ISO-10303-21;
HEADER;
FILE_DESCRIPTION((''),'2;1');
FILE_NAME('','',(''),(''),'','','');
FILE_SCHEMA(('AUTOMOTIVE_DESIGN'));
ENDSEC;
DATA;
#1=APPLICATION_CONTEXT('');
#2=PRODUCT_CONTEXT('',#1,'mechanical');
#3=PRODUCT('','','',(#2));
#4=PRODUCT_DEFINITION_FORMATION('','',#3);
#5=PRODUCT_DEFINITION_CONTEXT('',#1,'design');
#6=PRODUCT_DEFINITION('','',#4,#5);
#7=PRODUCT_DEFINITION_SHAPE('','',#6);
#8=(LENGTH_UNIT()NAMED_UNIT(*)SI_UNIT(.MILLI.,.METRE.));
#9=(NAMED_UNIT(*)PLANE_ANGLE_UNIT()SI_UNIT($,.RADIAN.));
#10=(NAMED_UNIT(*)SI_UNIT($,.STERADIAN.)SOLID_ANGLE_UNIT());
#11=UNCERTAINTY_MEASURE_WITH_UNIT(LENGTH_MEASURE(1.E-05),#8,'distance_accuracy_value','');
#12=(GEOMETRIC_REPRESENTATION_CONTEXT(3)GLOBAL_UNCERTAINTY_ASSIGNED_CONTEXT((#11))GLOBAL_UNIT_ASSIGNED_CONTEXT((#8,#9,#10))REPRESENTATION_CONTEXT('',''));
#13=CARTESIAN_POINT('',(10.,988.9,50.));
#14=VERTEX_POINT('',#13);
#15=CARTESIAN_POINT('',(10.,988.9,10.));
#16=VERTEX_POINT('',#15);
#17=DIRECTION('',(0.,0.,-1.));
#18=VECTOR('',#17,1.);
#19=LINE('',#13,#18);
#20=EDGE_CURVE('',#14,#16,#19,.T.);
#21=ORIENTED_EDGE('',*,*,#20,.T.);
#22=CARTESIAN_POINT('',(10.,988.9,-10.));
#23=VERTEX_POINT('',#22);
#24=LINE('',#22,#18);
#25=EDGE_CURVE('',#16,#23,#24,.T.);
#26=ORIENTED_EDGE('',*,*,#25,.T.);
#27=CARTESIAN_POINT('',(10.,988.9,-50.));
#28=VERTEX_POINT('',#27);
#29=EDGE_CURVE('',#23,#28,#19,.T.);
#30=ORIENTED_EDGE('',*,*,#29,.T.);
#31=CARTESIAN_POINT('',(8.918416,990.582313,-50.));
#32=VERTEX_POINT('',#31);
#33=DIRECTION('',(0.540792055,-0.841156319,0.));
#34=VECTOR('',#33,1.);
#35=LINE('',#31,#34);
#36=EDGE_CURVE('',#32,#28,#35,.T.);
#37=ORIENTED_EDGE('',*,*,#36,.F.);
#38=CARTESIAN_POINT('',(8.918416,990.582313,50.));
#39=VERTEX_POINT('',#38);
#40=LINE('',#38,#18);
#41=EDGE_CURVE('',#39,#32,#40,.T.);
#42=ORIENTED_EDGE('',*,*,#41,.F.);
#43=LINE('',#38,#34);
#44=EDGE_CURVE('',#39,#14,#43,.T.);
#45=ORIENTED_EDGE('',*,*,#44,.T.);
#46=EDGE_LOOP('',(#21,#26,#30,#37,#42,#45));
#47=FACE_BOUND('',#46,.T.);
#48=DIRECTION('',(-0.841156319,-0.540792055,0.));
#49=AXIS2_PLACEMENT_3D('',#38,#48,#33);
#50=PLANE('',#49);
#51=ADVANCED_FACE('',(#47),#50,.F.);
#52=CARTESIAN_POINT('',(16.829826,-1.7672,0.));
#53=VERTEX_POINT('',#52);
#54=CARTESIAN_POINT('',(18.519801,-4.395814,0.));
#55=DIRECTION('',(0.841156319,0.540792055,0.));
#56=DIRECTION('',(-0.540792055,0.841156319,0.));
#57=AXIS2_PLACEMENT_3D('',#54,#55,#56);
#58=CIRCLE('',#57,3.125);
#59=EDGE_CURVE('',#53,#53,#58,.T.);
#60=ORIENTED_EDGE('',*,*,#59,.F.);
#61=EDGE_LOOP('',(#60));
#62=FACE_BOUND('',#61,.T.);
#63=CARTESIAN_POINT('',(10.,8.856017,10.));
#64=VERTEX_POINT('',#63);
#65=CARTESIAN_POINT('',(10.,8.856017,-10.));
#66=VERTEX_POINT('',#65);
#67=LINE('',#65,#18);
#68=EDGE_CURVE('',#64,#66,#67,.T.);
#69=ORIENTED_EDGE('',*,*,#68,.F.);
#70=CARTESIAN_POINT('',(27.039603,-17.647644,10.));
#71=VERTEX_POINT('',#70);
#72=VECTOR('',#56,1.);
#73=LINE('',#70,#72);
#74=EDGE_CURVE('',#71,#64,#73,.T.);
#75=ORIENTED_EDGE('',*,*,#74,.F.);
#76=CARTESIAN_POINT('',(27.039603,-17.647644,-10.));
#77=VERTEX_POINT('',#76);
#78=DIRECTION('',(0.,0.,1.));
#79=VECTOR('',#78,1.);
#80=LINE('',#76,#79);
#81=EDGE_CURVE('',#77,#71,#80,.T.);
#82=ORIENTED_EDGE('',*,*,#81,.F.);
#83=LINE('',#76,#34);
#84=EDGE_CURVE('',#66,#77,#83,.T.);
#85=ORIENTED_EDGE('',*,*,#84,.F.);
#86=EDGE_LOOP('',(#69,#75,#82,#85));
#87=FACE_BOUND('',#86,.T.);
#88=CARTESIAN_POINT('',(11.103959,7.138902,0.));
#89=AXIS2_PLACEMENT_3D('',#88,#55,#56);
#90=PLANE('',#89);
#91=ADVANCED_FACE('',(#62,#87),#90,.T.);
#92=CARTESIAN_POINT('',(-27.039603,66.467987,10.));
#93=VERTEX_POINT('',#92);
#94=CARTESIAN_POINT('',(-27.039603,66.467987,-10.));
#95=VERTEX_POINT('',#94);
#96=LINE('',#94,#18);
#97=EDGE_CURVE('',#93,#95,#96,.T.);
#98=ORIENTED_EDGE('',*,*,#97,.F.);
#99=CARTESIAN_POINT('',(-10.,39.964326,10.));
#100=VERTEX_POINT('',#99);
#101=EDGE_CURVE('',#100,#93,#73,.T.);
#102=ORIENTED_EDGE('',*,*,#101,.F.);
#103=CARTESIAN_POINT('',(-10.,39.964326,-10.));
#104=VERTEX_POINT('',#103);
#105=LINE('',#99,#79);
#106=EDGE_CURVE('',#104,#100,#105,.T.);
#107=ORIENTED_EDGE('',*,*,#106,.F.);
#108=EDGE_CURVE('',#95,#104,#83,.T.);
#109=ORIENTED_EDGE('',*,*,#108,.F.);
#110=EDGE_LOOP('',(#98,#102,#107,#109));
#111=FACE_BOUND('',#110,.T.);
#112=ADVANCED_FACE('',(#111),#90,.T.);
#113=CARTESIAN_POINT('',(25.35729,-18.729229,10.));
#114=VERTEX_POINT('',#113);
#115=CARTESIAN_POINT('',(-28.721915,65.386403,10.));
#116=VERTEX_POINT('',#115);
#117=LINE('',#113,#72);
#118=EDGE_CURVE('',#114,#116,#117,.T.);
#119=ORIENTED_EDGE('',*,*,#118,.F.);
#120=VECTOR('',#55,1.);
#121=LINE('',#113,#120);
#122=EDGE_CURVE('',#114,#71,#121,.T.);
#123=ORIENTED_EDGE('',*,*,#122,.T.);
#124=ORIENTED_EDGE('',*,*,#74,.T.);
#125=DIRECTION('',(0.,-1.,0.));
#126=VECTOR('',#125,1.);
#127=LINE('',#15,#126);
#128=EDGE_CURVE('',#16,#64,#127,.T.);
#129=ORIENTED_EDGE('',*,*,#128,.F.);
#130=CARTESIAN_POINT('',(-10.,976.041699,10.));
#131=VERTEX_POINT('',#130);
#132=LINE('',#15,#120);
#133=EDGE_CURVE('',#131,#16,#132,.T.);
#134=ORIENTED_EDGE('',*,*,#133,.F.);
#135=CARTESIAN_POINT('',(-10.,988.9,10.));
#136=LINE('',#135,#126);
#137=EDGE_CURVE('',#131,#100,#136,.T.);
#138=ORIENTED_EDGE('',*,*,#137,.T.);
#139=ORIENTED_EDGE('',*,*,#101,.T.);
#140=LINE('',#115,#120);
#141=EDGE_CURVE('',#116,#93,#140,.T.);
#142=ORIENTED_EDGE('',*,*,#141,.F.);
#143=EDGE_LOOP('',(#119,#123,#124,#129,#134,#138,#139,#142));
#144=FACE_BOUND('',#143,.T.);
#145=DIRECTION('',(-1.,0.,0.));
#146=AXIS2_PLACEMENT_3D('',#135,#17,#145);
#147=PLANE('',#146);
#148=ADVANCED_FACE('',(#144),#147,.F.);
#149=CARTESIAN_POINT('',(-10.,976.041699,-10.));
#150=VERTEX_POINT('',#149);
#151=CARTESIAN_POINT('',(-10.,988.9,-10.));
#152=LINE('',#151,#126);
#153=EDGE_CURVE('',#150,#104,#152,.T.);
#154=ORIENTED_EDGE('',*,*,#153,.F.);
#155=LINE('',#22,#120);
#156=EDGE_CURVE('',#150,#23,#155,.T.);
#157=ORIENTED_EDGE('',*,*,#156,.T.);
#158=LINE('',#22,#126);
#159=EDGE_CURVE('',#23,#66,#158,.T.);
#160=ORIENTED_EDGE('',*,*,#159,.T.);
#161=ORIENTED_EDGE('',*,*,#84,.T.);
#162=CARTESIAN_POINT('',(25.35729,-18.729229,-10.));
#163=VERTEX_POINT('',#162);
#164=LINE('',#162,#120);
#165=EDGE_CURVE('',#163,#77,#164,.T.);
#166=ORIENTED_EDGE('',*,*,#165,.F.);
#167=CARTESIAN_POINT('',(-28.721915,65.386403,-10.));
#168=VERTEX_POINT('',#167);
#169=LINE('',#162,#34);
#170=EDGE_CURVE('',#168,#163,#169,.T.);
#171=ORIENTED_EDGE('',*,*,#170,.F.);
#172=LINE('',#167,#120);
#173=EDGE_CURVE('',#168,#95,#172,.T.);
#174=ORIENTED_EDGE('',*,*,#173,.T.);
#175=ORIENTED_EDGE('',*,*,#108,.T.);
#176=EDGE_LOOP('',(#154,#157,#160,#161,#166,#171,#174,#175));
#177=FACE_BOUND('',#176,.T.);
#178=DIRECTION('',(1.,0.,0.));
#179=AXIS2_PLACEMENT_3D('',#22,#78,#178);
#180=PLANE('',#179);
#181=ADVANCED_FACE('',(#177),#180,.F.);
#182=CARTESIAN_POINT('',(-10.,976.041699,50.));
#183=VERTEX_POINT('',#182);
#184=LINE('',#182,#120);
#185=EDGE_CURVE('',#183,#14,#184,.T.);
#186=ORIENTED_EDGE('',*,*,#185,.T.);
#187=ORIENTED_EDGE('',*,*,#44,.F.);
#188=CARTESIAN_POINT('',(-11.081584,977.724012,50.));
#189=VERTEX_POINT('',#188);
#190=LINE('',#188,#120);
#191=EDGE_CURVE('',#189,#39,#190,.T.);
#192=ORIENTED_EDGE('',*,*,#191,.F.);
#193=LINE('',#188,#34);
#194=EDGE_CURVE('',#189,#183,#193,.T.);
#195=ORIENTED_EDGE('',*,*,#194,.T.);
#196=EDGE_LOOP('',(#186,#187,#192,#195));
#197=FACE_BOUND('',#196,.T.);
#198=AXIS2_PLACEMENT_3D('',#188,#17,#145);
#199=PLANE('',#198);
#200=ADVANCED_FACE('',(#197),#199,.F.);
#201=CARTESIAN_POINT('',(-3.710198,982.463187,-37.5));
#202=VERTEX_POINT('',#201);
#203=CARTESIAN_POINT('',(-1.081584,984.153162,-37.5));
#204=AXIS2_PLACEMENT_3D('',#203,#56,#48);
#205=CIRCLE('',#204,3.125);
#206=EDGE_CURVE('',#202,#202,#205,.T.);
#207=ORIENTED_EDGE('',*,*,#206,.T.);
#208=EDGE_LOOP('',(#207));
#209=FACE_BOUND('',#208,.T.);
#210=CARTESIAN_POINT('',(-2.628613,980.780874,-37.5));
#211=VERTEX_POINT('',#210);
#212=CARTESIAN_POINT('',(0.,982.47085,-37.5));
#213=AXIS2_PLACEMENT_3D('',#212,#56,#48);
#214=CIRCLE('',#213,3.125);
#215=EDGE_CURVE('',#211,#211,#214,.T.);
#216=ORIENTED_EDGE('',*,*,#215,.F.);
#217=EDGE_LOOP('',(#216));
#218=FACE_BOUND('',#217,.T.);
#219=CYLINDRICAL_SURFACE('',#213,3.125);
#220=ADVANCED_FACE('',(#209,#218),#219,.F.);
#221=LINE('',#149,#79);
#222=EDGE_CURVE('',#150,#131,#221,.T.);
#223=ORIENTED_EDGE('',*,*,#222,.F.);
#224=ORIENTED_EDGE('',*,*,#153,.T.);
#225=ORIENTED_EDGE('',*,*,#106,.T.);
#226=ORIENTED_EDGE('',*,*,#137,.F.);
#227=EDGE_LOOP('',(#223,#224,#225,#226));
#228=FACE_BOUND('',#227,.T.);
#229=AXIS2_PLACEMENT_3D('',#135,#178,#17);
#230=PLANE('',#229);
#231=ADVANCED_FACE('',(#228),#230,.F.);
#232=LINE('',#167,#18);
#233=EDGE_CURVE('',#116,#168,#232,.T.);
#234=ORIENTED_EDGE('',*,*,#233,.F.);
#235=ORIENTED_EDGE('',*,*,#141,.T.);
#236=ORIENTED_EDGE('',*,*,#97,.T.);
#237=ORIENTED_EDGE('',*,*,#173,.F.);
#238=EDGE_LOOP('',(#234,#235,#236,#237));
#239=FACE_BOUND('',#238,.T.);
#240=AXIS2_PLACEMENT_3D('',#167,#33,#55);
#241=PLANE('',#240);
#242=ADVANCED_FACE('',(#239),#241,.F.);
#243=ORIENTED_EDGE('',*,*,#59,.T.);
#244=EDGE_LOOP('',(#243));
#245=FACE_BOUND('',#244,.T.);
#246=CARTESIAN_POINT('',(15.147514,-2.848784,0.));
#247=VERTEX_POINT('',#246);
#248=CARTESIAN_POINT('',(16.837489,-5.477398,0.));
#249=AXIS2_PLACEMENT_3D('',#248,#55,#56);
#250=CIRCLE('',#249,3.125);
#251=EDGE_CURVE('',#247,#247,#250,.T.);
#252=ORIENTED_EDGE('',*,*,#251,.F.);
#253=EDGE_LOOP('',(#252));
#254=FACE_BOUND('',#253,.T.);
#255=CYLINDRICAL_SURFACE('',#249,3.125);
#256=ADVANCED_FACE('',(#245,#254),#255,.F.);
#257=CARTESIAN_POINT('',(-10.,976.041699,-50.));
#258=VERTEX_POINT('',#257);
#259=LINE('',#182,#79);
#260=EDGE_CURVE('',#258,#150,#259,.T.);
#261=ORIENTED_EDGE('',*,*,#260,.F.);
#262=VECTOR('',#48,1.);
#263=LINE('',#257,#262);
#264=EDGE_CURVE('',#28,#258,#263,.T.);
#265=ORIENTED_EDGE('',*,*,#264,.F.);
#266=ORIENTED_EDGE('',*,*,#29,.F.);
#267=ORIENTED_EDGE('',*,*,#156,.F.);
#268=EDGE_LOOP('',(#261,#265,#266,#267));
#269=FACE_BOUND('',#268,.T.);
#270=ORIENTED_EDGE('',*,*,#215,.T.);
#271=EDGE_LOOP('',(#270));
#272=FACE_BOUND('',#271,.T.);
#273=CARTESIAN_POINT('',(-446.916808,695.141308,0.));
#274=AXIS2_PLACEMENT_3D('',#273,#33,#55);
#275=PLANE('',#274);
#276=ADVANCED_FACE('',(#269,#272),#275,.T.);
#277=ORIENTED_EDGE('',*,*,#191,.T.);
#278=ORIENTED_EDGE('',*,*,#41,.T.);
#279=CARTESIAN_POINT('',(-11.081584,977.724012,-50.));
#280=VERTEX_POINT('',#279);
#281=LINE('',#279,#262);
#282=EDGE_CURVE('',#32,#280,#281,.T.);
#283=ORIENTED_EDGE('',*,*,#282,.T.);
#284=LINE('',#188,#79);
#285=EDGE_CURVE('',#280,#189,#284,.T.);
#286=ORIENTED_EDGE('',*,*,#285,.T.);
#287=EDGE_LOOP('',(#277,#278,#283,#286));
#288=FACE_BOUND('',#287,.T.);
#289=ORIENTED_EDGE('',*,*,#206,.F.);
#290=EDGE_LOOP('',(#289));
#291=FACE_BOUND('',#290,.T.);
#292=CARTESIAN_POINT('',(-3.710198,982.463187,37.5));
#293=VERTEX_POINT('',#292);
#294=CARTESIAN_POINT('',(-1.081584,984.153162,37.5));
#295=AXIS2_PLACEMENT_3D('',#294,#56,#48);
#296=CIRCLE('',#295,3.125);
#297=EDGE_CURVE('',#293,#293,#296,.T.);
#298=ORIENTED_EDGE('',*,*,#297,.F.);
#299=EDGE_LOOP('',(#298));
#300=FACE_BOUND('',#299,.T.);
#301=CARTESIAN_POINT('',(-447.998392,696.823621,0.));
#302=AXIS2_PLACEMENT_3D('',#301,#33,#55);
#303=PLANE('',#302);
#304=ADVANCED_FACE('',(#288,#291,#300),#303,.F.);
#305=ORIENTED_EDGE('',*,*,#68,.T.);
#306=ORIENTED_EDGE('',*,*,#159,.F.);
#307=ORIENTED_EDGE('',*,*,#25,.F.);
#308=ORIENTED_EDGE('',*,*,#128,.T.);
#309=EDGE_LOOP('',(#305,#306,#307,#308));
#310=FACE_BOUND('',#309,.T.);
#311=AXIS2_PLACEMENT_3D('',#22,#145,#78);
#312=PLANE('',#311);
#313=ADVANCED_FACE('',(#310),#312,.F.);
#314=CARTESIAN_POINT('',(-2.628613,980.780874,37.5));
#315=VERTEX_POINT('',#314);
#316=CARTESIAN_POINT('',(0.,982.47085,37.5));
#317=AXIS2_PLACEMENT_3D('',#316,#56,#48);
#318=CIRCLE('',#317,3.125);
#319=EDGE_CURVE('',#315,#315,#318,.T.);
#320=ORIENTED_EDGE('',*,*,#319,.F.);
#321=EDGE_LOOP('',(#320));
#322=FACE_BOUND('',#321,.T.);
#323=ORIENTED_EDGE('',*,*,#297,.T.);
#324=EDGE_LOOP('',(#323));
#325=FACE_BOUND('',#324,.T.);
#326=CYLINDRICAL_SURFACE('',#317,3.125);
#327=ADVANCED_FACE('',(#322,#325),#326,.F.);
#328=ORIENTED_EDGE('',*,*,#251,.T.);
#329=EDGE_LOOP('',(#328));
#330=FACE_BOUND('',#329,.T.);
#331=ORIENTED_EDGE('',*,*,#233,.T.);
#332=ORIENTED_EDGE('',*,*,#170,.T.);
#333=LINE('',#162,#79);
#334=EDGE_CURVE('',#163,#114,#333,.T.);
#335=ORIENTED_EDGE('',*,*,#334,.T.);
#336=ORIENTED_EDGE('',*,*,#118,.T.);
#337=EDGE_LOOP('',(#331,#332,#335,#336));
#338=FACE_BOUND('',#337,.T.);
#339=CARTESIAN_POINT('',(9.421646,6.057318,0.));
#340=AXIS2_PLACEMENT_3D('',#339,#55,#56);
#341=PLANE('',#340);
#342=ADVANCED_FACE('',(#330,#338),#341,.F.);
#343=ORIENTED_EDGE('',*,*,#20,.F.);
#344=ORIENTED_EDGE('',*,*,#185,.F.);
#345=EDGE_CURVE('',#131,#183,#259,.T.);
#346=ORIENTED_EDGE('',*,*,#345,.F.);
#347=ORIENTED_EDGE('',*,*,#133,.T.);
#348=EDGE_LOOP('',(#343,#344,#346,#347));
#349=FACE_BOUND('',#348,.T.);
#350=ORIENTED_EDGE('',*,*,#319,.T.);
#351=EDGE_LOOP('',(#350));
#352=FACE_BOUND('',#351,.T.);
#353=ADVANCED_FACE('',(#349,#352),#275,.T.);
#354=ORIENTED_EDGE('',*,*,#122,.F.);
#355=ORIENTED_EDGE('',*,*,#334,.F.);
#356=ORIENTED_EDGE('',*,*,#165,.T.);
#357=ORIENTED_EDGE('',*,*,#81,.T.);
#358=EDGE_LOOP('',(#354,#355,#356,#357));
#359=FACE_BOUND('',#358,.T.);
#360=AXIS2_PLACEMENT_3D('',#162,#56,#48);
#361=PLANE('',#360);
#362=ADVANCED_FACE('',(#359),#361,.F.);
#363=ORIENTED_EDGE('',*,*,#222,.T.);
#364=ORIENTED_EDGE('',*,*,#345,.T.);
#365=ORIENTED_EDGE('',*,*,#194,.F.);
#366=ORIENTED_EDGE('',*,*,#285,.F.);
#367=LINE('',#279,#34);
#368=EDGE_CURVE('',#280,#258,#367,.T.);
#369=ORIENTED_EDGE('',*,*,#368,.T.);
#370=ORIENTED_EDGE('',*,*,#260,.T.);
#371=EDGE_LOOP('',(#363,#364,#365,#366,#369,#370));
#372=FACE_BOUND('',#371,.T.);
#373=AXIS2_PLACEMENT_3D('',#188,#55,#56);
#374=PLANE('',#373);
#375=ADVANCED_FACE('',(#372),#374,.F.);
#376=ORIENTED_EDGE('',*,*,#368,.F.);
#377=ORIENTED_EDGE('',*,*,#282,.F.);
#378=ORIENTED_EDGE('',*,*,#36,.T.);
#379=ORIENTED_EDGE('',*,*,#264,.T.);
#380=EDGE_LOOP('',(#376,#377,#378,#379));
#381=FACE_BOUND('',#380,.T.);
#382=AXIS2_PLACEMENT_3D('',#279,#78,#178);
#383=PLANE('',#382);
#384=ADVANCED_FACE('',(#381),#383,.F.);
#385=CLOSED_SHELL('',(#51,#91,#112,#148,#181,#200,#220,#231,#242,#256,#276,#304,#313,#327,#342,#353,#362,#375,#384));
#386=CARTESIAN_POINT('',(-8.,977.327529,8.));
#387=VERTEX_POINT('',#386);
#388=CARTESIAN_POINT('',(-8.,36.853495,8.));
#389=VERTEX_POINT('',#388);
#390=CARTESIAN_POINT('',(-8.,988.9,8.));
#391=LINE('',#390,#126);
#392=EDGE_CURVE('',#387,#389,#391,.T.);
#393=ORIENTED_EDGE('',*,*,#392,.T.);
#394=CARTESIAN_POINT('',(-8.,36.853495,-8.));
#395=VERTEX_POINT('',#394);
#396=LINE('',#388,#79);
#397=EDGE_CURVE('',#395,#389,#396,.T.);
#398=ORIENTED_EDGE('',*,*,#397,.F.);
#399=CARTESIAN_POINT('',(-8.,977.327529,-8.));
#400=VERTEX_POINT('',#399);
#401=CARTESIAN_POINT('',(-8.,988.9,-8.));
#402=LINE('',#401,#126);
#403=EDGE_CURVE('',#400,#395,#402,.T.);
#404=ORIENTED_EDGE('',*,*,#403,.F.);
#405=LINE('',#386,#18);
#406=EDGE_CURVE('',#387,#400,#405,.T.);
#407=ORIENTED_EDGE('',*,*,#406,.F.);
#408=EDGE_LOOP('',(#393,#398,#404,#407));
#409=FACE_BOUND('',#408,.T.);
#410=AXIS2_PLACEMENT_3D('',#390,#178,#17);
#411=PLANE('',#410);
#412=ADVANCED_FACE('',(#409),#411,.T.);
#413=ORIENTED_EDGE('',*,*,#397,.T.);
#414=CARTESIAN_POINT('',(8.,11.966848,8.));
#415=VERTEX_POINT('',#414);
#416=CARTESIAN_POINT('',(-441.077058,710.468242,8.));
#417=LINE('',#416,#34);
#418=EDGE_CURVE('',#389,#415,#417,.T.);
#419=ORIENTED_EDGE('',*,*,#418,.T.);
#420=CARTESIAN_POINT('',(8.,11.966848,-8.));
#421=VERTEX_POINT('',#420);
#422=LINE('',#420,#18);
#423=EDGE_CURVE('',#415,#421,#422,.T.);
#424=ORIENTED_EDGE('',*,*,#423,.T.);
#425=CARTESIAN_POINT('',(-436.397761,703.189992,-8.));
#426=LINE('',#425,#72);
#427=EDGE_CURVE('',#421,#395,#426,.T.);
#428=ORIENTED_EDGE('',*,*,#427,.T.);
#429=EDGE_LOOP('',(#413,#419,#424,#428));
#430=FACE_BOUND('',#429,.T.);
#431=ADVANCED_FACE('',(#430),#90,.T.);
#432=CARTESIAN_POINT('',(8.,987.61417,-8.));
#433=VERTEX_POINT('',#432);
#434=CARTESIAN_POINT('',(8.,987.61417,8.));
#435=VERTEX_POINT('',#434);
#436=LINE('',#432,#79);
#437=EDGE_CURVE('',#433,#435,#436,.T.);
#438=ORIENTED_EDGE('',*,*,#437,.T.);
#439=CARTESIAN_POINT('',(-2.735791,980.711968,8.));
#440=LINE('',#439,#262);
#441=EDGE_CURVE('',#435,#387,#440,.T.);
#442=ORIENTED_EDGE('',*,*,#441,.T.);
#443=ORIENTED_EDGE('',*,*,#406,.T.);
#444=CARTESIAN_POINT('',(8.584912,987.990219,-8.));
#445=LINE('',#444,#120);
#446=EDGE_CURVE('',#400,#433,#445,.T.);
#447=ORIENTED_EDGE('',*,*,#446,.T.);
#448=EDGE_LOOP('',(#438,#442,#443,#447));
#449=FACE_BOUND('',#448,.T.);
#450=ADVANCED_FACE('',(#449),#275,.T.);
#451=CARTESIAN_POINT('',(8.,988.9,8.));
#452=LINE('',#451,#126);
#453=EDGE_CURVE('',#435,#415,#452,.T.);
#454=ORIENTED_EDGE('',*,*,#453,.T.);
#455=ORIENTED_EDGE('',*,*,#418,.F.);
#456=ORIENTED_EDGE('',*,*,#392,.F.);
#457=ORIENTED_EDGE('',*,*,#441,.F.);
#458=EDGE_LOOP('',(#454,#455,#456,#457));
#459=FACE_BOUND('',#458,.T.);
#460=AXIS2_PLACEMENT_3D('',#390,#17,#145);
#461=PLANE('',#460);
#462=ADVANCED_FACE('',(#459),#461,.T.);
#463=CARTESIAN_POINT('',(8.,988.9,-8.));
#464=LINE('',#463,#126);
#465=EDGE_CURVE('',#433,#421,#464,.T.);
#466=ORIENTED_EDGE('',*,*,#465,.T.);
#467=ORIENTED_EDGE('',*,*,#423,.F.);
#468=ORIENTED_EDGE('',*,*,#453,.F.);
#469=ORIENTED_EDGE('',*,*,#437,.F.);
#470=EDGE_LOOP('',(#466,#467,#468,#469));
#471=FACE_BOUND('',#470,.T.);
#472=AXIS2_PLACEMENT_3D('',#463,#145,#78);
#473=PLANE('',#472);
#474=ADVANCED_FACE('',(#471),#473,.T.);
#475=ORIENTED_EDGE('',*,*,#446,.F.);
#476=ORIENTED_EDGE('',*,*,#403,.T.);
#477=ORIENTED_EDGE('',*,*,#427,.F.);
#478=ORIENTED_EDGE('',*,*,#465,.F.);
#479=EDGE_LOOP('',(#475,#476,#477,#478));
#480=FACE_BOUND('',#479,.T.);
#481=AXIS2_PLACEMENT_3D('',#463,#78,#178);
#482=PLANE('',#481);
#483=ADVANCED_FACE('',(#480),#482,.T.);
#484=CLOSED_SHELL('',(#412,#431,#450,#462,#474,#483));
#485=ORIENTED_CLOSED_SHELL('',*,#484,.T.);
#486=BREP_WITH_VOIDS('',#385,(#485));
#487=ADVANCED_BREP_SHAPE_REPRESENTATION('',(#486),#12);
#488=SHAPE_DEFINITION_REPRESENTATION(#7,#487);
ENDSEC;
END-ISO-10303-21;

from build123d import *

# Parameters (mm, degrees)
SKETCH15_W                                    = 20
SKETCH15_H                                    = 20
SKETCH15_W_2                                  = 16
SKETCH15_H_2                                  = 16
AL_TUBE_SQUARE_AL_TUBE_0_75_SQR_X_0_065_DEPTH = 988.9
SKETCH16_R                                    = 5
CUT_EXTRUDE1_DEPTH                            = 990.152773842
CUT_EXTRUDE3_DEPTH                            = 990.152773842
CUT_EXTRUDE4_DEPTH                            = 990.152773842
CUT_EXTRUDE4_DEPTH_BACK                       = 990.152773842
SKETCH19_W                                    = 20
SKETCH19_H                                    = 100
BOSS_EXTRUDE1_DEPTH                           = 2
SKETCH20_W                                    = 23.776793386
SKETCH20_H                                    = 100
BOSS_EXTRUDE2_DEPTH                           = 2
SKETCH22_R                                    = 3.125
CUT_EXTRUDE5_DEPTH                            = 2
SKETCH23_R                                    = 3.125
CUT_EXTRUDE6_DEPTH                            = 2


with BuildPart() as part:
    # Sketch15 → Al tube square AL TUBE 0.75 SQR X 0.065 WALL(1) (new body)
    with BuildSketch(Plane(origin=(0, 0, 0), x_dir=(-1, 0, 0), z_dir=(0, 1, 0))):
        Rectangle(SKETCH15_W, SKETCH15_H)
        Rectangle(SKETCH15_W_2, SKETCH15_H_2, mode=Mode.SUBTRACT)
    extrude(amount=AL_TUBE_SQUARE_AL_TUBE_0_75_SQR_X_0_065_DEPTH)

    # Sketch16 → Cut-Extrude1 (cut, through all)
    with BuildSketch(Plane.XY.offset(10)):
        with Locations((0, 10)):
            Circle(SKETCH16_R)
    extrude(amount=-CUT_EXTRUDE1_DEPTH, mode=Mode.SUBTRACT)

    # Sketch17 → Cut-Extrude3 (cut, through all)
    with BuildSketch(Plane.XY.offset(10)):
        Polygon((10, 988.9), (-10, 976.041699033), (-10, 988.9), align=None)
    extrude(amount=-CUT_EXTRUDE3_DEPTH, mode=Mode.SUBTRACT)

    # Sketch18 → Cut-Extrude4 (cut, two sides: drawn at the far end of the back side and taken through both)
    with BuildSketch(Plane(origin=(0, 0, -10), x_dir=(-1, 0, 0), z_dir=(0, 0, -1)).offset(-CUT_EXTRUDE4_DEPTH_BACK)):
        Polygon((-15.481315588, 0.33029398), (41.362305483, 88.745740497), (41.362305483, -42.243020437), (-15.481315588, -42.243020437), align=None)
    extrude(amount=CUT_EXTRUDE4_DEPTH + CUT_EXTRUDE4_DEPTH_BACK, mode=Mode.SUBTRACT)

    # Sketch19 → Boss-Extrude1 (add)
    with BuildSketch(Plane(origin=(11.103958871, 7.138902254, 0), x_dir=(0, 0, 1), z_dir=(-0.8411563188826338, -0.5407920554185471, 0))):
        with Locations((0, 20.532769961)):
            Rectangle(SKETCH19_W, SKETCH19_H)
    extrude(amount=BOSS_EXTRUDE1_DEPTH)

    # Sketch20 → Boss-Extrude2 (add)
    with BuildSketch(Plane(origin=(-446.916807879, 695.141308374, 0), x_dir=(0.8411563188826335, 0.5407920554185475, 0), z_dir=(-0.5407920554185475, 0.8411563188826335, 0))):
        with Locations((531.312430099, 0)):
            Rectangle(SKETCH20_W, SKETCH20_H)
    extrude(amount=BOSS_EXTRUDE2_DEPTH)

    # Sketch22 → Cut-Extrude5 (cut)
    with BuildSketch(Plane(origin=(-447.998391989, 696.823621012, 0), x_dir=(0.8411563188826324, 0.5407920554185492, 0), z_dir=(-0.5407920554185492, 0.8411563188826324, 0))):
        with Locations(Location((531.312430099, 37.5, 0), (0, 0, 180))):
            Circle(SKETCH22_R)
        with Locations(Location((531.312430099, -37.5, 0), (0, 0, 180))):
            Circle(SKETCH22_R)
    extrude(amount=-CUT_EXTRUDE5_DEPTH, mode=Mode.SUBTRACT)

    # Sketch23 → Cut-Extrude6 (cut)
    with BuildSketch(Plane(origin=(11.103958871, 7.138902254, 0), x_dir=(0, 0, -1), z_dir=(0.8411563188826338, 0.540792055418547, 0))):
        with Locations(Location((0, -13.712927992, 0), (0, 0, 90))):
            Circle(SKETCH23_R)
    extrude(amount=-CUT_EXTRUDE6_DEPTH, mode=Mode.SUBTRACT)


solid = part.part
